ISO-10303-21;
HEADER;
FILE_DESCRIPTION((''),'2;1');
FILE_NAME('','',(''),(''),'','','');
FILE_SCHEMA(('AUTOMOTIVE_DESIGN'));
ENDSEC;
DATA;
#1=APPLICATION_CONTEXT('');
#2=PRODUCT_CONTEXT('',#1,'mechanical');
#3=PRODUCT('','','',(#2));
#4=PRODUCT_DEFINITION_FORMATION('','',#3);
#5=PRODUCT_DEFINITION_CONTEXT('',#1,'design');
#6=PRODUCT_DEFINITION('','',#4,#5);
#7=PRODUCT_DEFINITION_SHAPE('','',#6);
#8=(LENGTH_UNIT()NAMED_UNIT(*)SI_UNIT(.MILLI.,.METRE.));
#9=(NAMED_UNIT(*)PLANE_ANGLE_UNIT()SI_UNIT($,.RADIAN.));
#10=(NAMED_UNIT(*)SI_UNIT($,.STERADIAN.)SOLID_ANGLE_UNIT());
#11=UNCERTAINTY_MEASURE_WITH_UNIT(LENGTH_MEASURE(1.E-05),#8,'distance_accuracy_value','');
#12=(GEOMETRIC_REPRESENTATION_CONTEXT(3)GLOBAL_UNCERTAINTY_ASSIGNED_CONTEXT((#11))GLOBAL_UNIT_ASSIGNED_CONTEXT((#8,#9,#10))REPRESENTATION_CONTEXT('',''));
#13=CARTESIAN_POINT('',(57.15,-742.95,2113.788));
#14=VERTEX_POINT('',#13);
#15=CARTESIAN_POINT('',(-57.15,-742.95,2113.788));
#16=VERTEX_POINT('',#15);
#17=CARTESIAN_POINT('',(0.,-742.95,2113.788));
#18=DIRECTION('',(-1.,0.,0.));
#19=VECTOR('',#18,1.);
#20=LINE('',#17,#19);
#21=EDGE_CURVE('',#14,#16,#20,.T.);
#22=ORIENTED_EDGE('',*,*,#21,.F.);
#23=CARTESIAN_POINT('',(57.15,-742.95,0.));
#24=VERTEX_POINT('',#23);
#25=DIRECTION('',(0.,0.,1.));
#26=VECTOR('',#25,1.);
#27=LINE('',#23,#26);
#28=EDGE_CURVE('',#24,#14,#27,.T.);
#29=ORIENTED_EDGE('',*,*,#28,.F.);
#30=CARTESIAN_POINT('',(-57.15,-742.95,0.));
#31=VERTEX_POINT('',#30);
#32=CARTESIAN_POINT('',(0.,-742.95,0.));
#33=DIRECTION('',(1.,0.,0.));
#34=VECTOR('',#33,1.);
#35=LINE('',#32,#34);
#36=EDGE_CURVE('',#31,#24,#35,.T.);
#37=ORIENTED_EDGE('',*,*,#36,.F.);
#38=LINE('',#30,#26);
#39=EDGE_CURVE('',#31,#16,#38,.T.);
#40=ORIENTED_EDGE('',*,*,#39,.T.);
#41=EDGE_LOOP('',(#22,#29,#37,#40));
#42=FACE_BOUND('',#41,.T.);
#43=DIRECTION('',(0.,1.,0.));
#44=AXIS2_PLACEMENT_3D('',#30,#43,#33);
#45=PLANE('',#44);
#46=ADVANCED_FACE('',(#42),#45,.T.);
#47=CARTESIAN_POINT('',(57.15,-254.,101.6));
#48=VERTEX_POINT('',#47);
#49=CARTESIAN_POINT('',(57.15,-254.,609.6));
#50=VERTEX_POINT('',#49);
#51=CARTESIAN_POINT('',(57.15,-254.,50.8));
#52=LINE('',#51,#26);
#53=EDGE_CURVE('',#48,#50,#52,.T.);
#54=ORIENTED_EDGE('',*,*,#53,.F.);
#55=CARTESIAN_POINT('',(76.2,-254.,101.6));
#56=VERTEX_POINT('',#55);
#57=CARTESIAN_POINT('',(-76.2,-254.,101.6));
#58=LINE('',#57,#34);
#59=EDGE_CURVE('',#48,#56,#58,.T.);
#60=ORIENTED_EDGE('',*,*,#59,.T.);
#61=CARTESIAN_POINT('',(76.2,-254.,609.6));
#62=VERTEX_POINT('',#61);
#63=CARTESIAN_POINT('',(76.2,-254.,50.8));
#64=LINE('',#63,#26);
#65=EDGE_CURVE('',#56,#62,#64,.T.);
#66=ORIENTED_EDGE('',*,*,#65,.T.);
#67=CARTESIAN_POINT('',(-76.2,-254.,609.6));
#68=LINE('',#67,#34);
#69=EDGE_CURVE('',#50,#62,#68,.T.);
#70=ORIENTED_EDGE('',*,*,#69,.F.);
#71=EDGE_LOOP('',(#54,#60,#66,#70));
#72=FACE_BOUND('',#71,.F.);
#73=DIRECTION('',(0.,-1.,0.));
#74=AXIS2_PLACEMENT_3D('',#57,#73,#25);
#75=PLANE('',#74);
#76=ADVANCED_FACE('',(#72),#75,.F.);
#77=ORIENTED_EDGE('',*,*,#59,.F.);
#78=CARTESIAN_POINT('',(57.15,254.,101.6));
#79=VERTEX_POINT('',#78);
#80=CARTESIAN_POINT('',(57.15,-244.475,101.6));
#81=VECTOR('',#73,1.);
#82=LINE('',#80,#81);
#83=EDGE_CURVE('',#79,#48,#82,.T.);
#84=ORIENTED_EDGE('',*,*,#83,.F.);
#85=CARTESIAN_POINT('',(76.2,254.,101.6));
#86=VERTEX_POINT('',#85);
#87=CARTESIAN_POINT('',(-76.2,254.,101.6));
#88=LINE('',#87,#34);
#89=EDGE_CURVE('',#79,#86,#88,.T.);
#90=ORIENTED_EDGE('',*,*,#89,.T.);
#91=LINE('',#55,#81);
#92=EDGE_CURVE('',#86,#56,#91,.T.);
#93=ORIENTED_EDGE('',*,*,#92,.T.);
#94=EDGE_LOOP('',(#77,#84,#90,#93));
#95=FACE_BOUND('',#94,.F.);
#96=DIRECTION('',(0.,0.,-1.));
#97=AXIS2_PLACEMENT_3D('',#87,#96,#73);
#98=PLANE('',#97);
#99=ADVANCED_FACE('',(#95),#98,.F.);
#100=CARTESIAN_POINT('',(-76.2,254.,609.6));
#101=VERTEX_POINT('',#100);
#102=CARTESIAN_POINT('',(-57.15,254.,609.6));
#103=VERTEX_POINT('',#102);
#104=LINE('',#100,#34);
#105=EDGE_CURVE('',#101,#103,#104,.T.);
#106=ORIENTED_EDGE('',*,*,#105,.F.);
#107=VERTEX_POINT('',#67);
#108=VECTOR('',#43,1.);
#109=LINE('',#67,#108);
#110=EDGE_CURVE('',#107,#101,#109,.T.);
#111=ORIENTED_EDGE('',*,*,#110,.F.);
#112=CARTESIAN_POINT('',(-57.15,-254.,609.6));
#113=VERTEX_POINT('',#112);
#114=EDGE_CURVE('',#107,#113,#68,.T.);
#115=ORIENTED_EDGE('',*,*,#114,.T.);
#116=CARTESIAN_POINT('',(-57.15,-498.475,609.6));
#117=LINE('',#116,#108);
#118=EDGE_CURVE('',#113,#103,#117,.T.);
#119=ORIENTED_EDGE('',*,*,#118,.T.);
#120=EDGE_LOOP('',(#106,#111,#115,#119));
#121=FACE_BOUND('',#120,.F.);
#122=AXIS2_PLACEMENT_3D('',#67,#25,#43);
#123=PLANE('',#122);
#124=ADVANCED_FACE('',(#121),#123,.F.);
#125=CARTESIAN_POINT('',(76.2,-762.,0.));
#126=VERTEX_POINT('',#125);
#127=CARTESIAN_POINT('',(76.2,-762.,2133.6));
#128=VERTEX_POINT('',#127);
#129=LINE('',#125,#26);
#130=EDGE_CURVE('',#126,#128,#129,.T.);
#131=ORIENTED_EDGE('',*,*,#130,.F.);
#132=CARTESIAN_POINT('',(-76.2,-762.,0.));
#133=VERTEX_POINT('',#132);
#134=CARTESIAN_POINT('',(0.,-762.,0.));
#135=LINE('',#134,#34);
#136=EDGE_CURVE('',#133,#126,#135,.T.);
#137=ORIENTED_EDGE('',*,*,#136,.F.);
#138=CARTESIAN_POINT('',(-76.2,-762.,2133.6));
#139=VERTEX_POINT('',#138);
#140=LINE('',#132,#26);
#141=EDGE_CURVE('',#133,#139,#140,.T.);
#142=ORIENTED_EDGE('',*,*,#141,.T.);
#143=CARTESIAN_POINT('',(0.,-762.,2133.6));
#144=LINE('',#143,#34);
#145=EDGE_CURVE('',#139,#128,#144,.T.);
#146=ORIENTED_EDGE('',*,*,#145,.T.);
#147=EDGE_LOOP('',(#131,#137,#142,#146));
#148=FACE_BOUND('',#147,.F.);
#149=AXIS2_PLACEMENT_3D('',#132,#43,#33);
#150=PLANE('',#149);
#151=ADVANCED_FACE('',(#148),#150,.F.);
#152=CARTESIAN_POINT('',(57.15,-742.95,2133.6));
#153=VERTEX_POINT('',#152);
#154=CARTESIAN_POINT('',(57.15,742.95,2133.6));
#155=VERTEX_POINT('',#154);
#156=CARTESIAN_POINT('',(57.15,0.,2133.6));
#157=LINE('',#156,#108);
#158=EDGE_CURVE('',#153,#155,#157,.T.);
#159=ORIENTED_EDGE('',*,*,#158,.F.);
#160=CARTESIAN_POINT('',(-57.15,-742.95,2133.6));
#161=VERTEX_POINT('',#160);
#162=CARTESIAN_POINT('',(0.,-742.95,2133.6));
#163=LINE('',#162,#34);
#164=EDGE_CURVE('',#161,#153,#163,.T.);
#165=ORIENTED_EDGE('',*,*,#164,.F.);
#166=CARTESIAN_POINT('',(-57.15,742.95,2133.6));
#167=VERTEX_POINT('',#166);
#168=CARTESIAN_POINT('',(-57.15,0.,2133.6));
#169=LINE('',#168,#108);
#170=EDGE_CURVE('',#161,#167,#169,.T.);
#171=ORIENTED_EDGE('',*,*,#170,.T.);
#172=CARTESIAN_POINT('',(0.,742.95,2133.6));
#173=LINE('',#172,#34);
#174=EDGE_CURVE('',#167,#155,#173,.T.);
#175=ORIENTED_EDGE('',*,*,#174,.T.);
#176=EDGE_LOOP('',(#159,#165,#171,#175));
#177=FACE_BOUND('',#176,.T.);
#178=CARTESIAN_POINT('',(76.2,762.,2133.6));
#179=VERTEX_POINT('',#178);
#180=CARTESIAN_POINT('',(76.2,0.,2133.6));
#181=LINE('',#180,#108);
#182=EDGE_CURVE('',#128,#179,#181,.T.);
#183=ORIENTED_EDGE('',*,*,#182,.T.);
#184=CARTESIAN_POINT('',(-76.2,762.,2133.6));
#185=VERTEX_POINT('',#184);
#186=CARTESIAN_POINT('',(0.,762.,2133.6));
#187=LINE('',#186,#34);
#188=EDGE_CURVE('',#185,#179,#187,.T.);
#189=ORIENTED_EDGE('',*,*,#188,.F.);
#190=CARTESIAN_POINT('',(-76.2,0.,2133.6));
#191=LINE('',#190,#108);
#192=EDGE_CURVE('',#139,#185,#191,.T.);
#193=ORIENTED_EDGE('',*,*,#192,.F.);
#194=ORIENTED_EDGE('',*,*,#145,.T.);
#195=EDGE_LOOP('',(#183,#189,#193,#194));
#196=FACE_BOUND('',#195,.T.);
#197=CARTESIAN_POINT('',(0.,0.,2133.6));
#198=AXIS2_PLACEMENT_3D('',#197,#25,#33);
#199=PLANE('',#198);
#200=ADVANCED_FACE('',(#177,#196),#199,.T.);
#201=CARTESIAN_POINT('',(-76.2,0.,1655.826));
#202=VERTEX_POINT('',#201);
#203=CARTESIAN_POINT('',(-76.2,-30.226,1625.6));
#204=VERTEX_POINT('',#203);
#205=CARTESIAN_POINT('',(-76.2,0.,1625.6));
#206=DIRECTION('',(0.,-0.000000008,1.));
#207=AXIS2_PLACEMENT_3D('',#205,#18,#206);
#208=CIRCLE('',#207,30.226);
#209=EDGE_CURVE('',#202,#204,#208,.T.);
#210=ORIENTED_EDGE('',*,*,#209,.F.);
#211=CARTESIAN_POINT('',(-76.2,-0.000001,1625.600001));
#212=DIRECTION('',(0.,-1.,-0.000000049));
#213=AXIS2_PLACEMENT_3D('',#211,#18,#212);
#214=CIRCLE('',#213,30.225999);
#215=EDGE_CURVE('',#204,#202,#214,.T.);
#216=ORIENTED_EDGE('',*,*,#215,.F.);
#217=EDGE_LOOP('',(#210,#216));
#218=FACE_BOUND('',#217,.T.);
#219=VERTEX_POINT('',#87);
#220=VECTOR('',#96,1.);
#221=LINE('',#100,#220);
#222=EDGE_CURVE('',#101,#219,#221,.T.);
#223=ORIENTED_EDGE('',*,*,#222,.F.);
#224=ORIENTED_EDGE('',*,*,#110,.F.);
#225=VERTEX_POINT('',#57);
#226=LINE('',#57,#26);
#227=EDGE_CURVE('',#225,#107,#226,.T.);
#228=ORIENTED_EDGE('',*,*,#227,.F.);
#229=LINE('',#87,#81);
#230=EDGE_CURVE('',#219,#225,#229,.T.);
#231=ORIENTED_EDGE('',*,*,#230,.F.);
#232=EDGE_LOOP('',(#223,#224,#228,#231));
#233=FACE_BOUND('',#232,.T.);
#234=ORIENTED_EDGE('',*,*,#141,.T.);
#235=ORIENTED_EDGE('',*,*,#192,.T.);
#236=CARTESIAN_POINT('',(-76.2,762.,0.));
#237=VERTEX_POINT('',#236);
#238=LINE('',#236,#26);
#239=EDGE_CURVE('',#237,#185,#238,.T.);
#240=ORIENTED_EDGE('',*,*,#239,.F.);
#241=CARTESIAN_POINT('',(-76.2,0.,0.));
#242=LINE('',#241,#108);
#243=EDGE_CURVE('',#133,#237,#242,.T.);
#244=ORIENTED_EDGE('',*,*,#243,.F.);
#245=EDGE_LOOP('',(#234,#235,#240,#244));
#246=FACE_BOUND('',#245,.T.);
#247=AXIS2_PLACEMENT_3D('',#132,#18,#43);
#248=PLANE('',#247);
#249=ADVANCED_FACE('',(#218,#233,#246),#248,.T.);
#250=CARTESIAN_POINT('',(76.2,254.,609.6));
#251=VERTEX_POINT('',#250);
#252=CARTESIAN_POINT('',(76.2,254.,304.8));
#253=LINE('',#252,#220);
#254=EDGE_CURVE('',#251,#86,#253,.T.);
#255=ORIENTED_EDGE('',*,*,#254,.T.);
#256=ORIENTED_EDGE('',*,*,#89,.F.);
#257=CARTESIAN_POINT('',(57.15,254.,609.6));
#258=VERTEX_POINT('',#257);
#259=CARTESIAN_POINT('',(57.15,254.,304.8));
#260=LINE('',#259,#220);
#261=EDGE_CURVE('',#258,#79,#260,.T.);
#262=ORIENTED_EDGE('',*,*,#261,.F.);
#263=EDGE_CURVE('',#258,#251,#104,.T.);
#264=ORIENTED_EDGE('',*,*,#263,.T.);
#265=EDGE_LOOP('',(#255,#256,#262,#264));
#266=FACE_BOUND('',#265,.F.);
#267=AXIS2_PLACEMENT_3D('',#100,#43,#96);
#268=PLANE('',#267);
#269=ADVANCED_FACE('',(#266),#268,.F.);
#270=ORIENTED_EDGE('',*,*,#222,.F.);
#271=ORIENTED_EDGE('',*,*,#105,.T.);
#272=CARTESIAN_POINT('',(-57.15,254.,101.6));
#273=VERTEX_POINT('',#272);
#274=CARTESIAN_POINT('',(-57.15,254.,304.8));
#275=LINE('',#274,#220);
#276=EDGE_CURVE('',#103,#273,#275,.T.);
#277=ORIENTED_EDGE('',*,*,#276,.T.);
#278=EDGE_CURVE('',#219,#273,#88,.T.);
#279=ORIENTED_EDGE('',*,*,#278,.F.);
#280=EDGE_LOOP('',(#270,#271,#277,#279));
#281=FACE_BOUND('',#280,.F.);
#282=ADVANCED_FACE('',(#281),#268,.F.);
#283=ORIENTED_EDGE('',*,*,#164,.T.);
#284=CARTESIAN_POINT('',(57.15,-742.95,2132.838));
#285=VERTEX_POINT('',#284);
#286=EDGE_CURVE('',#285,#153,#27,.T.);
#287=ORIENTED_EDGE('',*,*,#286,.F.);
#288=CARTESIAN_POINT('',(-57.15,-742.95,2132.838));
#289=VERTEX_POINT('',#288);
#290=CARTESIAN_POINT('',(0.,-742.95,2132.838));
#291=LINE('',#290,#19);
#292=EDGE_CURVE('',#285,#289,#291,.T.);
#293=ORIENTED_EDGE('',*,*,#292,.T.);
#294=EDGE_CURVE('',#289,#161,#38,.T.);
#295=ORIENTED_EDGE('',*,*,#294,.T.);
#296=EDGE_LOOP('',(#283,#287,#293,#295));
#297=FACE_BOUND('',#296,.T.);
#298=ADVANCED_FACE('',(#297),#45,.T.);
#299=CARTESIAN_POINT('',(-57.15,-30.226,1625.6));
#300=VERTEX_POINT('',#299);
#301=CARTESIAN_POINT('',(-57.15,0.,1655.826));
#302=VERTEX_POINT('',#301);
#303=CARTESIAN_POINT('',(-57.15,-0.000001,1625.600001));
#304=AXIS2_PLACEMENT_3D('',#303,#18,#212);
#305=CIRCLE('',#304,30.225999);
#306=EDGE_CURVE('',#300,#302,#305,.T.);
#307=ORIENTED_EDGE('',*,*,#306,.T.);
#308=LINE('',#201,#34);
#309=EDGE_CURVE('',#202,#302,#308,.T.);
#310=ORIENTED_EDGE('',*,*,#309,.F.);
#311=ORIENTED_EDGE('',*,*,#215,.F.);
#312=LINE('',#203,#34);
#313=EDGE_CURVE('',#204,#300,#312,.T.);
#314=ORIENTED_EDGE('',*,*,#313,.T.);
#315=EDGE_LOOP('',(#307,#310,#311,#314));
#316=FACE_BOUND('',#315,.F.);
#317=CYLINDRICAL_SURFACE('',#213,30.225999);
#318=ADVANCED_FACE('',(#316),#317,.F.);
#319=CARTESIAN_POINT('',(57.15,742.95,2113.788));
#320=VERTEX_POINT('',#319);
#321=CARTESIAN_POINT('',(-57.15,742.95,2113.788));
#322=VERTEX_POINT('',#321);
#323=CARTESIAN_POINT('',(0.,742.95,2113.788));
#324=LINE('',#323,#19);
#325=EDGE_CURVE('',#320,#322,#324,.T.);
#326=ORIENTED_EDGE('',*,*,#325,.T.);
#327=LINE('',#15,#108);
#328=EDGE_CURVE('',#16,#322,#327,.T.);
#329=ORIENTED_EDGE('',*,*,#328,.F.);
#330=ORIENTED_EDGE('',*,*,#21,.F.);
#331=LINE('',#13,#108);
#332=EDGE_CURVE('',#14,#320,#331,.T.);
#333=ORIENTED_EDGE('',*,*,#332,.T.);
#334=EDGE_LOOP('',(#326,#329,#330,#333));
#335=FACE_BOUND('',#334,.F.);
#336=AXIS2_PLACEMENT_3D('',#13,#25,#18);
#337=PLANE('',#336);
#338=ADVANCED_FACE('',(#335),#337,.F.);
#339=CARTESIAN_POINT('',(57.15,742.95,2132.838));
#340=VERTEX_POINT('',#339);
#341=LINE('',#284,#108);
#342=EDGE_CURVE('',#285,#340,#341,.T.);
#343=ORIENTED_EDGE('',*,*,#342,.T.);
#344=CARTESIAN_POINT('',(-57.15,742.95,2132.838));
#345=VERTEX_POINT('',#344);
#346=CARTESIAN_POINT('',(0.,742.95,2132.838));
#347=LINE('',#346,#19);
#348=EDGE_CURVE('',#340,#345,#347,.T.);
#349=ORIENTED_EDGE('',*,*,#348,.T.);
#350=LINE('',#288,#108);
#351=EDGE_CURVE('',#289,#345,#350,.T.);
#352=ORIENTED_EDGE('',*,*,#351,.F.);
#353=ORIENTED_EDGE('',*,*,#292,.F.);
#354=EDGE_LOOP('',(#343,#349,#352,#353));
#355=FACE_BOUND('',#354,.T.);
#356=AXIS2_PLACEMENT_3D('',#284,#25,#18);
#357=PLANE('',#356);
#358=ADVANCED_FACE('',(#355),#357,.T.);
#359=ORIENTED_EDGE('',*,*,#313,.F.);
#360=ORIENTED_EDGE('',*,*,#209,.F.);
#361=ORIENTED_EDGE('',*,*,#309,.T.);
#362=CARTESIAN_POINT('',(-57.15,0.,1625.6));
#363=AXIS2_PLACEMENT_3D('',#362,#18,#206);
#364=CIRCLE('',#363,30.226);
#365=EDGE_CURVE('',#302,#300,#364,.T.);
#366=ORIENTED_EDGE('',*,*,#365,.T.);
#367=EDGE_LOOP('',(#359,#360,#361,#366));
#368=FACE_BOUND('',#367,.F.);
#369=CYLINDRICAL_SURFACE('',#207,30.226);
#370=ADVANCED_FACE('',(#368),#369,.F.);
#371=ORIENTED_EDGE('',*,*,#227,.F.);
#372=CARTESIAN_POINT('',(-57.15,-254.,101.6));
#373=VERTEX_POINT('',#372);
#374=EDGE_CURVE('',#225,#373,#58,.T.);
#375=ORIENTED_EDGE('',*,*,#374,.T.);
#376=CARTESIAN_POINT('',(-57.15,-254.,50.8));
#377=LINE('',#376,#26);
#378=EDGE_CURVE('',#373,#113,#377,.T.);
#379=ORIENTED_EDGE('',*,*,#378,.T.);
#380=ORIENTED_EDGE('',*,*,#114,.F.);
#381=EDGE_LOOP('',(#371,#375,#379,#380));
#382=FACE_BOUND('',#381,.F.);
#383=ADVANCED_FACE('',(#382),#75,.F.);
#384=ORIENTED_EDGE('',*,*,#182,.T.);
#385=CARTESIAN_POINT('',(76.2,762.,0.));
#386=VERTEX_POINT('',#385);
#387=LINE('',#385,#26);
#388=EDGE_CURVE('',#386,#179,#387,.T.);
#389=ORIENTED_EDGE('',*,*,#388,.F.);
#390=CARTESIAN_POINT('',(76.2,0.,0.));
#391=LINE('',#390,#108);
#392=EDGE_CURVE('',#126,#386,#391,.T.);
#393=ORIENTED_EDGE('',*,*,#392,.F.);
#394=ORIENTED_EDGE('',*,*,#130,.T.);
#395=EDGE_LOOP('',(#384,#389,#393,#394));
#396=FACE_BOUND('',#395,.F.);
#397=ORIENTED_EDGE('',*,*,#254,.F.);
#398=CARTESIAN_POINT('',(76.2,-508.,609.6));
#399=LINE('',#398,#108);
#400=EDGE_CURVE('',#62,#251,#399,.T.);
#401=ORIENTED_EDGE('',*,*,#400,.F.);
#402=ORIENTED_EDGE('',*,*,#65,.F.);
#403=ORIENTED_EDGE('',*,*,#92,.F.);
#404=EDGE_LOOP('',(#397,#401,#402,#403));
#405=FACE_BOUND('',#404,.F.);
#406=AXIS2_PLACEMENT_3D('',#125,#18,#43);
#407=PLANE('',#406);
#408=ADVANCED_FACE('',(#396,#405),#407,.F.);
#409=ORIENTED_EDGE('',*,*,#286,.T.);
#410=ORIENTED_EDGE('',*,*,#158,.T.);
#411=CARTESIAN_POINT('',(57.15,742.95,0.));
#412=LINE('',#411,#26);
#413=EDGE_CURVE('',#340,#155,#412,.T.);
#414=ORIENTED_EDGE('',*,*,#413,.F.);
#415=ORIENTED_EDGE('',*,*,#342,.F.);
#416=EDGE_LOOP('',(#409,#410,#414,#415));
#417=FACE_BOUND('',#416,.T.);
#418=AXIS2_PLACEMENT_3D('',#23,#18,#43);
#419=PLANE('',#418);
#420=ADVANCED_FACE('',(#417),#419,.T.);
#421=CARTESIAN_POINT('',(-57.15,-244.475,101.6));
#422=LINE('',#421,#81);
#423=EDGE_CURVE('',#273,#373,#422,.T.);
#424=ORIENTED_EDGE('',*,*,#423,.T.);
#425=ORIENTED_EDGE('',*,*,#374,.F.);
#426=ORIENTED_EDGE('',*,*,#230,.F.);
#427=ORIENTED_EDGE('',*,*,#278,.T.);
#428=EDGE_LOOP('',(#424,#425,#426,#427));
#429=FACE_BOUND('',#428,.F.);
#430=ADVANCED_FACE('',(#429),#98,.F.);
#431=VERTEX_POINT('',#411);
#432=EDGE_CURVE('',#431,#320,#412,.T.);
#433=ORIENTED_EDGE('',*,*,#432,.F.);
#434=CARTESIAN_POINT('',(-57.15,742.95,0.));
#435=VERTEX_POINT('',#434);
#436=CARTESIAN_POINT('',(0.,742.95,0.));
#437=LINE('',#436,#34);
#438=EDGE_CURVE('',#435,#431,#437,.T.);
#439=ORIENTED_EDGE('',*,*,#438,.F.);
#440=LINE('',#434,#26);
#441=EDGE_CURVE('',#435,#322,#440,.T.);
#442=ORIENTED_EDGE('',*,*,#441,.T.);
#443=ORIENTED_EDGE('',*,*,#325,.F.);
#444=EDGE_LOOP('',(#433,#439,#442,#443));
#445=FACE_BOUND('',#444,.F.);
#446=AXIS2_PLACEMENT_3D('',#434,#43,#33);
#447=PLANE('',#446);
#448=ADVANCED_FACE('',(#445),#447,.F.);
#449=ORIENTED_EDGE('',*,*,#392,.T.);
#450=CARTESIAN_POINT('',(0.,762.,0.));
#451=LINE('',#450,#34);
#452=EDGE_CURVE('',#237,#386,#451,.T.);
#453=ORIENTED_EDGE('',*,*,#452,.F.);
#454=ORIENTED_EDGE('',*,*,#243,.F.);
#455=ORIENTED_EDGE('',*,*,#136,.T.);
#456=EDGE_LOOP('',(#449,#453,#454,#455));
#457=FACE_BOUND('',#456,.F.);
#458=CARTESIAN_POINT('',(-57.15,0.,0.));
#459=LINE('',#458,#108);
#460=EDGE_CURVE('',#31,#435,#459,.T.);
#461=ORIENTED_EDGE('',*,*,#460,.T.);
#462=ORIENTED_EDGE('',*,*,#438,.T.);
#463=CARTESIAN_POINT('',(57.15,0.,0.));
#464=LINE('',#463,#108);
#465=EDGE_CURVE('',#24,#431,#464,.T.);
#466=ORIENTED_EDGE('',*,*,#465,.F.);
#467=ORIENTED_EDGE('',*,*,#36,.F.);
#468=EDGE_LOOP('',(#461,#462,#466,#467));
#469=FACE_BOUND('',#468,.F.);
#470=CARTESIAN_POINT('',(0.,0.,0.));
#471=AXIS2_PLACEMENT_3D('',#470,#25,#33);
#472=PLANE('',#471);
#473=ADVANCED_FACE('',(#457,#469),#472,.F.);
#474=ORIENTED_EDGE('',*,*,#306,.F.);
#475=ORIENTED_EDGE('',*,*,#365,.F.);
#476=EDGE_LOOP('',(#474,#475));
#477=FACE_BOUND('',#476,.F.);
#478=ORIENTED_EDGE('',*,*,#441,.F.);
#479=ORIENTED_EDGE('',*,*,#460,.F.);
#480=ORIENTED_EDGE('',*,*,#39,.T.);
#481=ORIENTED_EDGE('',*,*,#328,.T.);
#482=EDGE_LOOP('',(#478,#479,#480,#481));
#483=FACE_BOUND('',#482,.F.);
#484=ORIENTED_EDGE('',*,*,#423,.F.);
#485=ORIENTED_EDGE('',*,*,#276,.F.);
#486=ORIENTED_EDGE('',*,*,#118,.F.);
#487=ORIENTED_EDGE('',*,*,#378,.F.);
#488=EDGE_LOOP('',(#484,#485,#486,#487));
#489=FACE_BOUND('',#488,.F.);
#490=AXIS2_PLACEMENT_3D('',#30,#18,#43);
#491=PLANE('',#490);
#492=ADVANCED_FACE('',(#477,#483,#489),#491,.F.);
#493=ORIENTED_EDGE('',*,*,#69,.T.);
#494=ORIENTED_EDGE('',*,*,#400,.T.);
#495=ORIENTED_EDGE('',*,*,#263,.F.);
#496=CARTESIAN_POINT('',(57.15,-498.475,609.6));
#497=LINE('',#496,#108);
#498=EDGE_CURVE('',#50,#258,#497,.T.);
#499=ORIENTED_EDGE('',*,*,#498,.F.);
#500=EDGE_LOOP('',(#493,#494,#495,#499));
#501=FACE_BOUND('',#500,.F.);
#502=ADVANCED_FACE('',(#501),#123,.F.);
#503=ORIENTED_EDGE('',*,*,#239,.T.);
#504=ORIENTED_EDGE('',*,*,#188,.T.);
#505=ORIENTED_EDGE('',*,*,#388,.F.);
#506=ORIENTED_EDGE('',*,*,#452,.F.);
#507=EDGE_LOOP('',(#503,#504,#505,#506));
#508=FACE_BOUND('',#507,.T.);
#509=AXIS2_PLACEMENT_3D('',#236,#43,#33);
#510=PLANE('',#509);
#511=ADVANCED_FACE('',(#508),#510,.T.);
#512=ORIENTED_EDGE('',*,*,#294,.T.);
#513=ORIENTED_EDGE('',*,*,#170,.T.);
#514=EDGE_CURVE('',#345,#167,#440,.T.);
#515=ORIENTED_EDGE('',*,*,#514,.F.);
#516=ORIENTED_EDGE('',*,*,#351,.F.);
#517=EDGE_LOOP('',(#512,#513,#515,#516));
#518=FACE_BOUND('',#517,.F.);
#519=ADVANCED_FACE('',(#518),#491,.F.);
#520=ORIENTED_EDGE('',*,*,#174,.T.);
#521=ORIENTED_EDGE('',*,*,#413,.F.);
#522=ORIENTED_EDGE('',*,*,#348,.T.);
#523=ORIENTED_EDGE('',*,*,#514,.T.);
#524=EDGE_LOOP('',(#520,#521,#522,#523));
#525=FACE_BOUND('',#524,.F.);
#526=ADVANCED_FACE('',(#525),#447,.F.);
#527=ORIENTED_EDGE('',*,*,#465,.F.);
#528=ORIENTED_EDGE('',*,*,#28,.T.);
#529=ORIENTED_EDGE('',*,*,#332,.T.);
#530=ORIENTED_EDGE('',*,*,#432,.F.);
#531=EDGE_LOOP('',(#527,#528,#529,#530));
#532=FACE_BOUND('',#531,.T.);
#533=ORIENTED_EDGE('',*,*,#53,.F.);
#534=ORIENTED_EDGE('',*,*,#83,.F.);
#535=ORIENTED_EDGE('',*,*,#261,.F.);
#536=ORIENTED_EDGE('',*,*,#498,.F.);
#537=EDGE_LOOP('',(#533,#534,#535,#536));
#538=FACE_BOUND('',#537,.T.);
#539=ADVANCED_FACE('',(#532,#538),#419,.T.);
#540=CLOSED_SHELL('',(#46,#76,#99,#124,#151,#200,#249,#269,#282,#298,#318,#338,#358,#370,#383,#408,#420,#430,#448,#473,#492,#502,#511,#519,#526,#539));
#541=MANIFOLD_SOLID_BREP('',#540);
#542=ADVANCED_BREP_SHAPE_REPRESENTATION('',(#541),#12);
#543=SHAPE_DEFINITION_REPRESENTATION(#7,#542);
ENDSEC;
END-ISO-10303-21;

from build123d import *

# Parameters (mm, degrees)
F0_W     = 152.4
F0_H     = 1524
F0_W_2   = 114.3
F0_H_2   = 1485.9
F1_DEPTH = 2133.6
F2_W     = 114.3
F2_H     = 19.05
F3_DEPTH = 1485.9
F5_DEPTH = 25.4
F7_DEPTH = 177.8


with BuildPart() as f1:
    # F0 (on Top) → F1 (new body)
    with BuildSketch(Plane.XY):
        Rectangle(F0_W, F0_H)
        Rectangle(F0_W_2, F0_H_2, mode=Mode.SUBTRACT)
    extrude(amount=F1_DEPTH)

    # F2 (on face) → F3 (join)
    with BuildSketch(Plane(origin=(0, -742.95, 0), x_dir=(-1, 0, 0), z_dir=(0, 1, 0))):
        with Locations((0, 2123.313)):
            Rectangle(F2_W, F2_H)
    extrude(amount=F3_DEPTH)

    # F4 (on face) → F5 (cut)
    with BuildSketch(Plane(origin=(-76.2, 0, 0), x_dir=(0, -1, 0), z_dir=(-1, 0, 0))):
        with BuildLine():
            ThreePointArc((30.226, 1625.6), (21.37301, 1646.97301), (0, 1655.826))
            ThreePointArc((0, 1655.826), (-21.37301, 1604.22699), (30.226, 1625.6))
        make_face()
    extrude(amount=-F5_DEPTH, mode=Mode.SUBTRACT)

    # F6 (on face) → F7 (cut)
    with BuildSketch(Plane(origin=(-76.2, 0, 0), x_dir=(0, -1, 0), z_dir=(-1, 0, 0))):
        Polygon((-254, 101.6), (0, 101.6), (254, 101.6), (254, 609.6), (-254, 609.6), align=None)
    extrude(amount=-F7_DEPTH, mode=Mode.SUBTRACT)


solid = f1.part
